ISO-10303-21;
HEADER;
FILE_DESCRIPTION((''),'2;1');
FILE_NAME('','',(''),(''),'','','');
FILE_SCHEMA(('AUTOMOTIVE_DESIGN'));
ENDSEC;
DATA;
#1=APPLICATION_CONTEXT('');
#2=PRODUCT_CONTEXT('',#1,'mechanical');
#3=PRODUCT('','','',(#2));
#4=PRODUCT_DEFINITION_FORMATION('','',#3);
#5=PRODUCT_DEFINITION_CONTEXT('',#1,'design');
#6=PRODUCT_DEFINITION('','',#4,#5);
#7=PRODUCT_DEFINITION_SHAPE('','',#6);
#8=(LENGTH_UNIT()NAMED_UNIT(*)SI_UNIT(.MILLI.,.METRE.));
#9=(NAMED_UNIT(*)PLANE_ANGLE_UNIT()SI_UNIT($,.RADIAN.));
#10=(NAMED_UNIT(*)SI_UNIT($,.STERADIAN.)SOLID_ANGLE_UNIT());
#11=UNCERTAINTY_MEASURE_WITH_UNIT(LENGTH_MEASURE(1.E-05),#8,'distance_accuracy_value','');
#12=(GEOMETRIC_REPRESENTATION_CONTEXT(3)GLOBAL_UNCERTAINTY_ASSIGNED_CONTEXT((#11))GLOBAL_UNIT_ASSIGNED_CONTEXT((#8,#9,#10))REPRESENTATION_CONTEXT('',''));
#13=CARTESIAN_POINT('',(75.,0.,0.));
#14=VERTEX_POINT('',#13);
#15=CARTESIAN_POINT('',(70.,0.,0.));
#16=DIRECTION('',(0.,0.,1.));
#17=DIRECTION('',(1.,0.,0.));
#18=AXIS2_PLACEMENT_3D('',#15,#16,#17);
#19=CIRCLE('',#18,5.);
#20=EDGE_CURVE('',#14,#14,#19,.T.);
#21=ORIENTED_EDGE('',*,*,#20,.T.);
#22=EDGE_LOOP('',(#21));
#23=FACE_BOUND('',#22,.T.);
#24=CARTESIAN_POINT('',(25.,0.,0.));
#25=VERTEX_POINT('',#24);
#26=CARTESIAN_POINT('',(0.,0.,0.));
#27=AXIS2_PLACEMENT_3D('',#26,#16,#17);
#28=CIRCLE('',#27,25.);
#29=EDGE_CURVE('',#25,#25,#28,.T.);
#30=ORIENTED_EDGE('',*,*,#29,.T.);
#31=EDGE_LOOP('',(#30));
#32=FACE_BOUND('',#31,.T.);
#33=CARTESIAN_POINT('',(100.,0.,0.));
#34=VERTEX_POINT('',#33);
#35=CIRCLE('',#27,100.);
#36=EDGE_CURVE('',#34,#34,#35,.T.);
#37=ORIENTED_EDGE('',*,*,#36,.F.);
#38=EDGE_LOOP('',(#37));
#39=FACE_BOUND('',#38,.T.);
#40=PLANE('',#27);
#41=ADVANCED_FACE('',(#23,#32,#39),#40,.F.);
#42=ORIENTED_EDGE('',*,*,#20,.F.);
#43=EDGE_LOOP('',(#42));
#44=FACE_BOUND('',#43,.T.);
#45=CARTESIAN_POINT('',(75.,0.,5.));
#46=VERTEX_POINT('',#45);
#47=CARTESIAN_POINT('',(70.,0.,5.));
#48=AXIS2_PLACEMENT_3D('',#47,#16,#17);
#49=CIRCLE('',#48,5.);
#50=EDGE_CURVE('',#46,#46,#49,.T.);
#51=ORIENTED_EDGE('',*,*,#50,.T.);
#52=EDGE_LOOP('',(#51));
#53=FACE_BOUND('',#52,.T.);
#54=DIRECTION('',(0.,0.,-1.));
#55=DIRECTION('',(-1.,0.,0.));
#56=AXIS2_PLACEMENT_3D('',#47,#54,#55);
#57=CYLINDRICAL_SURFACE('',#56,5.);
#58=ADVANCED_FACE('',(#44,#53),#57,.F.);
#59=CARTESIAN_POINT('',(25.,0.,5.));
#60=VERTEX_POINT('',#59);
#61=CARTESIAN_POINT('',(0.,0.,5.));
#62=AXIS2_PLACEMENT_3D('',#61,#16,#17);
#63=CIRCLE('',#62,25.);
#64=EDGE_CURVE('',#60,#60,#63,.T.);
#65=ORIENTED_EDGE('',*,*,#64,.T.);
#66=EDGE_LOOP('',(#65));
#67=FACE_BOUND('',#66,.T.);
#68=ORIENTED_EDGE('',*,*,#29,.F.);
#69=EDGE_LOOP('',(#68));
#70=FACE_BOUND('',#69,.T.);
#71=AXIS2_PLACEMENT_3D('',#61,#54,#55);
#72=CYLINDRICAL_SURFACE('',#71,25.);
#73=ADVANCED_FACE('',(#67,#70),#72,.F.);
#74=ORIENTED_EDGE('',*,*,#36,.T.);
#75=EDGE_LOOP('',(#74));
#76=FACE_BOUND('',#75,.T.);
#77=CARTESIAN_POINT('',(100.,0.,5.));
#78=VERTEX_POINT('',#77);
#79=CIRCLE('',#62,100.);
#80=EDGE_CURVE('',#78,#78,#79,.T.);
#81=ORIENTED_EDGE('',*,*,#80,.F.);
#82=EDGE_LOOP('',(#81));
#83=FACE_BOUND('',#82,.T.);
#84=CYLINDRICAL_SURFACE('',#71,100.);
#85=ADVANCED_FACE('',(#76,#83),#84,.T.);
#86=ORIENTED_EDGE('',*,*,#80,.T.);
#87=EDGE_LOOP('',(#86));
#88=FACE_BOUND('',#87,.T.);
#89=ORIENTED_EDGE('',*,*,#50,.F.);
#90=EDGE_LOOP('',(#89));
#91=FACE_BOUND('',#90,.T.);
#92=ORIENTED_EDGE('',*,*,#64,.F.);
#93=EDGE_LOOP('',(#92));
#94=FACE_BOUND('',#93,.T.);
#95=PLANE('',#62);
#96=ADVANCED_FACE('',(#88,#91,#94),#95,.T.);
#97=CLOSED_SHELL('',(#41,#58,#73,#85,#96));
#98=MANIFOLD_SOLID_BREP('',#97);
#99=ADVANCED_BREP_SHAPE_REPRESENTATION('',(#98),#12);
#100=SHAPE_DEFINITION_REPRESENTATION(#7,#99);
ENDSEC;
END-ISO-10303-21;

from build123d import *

# Parameters (mm, degrees)
SKETCH1_R           = 100
SKETCH1_R_2         = 25
SKETCH1_R_3         = 5
BOSS_EXTRUDE1_DEPTH = 5


with BuildPart() as part:
    # Sketch1 → Boss-Extrude1 (new body)
    with BuildSketch(Plane.XY):
        Circle(SKETCH1_R)
        Circle(SKETCH1_R_2, mode=Mode.SUBTRACT)
        with Locations((70, 0)):
            Circle(SKETCH1_R_3, mode=Mode.SUBTRACT)
    extrude(amount=BOSS_EXTRUDE1_DEPTH)


solid = part.part
